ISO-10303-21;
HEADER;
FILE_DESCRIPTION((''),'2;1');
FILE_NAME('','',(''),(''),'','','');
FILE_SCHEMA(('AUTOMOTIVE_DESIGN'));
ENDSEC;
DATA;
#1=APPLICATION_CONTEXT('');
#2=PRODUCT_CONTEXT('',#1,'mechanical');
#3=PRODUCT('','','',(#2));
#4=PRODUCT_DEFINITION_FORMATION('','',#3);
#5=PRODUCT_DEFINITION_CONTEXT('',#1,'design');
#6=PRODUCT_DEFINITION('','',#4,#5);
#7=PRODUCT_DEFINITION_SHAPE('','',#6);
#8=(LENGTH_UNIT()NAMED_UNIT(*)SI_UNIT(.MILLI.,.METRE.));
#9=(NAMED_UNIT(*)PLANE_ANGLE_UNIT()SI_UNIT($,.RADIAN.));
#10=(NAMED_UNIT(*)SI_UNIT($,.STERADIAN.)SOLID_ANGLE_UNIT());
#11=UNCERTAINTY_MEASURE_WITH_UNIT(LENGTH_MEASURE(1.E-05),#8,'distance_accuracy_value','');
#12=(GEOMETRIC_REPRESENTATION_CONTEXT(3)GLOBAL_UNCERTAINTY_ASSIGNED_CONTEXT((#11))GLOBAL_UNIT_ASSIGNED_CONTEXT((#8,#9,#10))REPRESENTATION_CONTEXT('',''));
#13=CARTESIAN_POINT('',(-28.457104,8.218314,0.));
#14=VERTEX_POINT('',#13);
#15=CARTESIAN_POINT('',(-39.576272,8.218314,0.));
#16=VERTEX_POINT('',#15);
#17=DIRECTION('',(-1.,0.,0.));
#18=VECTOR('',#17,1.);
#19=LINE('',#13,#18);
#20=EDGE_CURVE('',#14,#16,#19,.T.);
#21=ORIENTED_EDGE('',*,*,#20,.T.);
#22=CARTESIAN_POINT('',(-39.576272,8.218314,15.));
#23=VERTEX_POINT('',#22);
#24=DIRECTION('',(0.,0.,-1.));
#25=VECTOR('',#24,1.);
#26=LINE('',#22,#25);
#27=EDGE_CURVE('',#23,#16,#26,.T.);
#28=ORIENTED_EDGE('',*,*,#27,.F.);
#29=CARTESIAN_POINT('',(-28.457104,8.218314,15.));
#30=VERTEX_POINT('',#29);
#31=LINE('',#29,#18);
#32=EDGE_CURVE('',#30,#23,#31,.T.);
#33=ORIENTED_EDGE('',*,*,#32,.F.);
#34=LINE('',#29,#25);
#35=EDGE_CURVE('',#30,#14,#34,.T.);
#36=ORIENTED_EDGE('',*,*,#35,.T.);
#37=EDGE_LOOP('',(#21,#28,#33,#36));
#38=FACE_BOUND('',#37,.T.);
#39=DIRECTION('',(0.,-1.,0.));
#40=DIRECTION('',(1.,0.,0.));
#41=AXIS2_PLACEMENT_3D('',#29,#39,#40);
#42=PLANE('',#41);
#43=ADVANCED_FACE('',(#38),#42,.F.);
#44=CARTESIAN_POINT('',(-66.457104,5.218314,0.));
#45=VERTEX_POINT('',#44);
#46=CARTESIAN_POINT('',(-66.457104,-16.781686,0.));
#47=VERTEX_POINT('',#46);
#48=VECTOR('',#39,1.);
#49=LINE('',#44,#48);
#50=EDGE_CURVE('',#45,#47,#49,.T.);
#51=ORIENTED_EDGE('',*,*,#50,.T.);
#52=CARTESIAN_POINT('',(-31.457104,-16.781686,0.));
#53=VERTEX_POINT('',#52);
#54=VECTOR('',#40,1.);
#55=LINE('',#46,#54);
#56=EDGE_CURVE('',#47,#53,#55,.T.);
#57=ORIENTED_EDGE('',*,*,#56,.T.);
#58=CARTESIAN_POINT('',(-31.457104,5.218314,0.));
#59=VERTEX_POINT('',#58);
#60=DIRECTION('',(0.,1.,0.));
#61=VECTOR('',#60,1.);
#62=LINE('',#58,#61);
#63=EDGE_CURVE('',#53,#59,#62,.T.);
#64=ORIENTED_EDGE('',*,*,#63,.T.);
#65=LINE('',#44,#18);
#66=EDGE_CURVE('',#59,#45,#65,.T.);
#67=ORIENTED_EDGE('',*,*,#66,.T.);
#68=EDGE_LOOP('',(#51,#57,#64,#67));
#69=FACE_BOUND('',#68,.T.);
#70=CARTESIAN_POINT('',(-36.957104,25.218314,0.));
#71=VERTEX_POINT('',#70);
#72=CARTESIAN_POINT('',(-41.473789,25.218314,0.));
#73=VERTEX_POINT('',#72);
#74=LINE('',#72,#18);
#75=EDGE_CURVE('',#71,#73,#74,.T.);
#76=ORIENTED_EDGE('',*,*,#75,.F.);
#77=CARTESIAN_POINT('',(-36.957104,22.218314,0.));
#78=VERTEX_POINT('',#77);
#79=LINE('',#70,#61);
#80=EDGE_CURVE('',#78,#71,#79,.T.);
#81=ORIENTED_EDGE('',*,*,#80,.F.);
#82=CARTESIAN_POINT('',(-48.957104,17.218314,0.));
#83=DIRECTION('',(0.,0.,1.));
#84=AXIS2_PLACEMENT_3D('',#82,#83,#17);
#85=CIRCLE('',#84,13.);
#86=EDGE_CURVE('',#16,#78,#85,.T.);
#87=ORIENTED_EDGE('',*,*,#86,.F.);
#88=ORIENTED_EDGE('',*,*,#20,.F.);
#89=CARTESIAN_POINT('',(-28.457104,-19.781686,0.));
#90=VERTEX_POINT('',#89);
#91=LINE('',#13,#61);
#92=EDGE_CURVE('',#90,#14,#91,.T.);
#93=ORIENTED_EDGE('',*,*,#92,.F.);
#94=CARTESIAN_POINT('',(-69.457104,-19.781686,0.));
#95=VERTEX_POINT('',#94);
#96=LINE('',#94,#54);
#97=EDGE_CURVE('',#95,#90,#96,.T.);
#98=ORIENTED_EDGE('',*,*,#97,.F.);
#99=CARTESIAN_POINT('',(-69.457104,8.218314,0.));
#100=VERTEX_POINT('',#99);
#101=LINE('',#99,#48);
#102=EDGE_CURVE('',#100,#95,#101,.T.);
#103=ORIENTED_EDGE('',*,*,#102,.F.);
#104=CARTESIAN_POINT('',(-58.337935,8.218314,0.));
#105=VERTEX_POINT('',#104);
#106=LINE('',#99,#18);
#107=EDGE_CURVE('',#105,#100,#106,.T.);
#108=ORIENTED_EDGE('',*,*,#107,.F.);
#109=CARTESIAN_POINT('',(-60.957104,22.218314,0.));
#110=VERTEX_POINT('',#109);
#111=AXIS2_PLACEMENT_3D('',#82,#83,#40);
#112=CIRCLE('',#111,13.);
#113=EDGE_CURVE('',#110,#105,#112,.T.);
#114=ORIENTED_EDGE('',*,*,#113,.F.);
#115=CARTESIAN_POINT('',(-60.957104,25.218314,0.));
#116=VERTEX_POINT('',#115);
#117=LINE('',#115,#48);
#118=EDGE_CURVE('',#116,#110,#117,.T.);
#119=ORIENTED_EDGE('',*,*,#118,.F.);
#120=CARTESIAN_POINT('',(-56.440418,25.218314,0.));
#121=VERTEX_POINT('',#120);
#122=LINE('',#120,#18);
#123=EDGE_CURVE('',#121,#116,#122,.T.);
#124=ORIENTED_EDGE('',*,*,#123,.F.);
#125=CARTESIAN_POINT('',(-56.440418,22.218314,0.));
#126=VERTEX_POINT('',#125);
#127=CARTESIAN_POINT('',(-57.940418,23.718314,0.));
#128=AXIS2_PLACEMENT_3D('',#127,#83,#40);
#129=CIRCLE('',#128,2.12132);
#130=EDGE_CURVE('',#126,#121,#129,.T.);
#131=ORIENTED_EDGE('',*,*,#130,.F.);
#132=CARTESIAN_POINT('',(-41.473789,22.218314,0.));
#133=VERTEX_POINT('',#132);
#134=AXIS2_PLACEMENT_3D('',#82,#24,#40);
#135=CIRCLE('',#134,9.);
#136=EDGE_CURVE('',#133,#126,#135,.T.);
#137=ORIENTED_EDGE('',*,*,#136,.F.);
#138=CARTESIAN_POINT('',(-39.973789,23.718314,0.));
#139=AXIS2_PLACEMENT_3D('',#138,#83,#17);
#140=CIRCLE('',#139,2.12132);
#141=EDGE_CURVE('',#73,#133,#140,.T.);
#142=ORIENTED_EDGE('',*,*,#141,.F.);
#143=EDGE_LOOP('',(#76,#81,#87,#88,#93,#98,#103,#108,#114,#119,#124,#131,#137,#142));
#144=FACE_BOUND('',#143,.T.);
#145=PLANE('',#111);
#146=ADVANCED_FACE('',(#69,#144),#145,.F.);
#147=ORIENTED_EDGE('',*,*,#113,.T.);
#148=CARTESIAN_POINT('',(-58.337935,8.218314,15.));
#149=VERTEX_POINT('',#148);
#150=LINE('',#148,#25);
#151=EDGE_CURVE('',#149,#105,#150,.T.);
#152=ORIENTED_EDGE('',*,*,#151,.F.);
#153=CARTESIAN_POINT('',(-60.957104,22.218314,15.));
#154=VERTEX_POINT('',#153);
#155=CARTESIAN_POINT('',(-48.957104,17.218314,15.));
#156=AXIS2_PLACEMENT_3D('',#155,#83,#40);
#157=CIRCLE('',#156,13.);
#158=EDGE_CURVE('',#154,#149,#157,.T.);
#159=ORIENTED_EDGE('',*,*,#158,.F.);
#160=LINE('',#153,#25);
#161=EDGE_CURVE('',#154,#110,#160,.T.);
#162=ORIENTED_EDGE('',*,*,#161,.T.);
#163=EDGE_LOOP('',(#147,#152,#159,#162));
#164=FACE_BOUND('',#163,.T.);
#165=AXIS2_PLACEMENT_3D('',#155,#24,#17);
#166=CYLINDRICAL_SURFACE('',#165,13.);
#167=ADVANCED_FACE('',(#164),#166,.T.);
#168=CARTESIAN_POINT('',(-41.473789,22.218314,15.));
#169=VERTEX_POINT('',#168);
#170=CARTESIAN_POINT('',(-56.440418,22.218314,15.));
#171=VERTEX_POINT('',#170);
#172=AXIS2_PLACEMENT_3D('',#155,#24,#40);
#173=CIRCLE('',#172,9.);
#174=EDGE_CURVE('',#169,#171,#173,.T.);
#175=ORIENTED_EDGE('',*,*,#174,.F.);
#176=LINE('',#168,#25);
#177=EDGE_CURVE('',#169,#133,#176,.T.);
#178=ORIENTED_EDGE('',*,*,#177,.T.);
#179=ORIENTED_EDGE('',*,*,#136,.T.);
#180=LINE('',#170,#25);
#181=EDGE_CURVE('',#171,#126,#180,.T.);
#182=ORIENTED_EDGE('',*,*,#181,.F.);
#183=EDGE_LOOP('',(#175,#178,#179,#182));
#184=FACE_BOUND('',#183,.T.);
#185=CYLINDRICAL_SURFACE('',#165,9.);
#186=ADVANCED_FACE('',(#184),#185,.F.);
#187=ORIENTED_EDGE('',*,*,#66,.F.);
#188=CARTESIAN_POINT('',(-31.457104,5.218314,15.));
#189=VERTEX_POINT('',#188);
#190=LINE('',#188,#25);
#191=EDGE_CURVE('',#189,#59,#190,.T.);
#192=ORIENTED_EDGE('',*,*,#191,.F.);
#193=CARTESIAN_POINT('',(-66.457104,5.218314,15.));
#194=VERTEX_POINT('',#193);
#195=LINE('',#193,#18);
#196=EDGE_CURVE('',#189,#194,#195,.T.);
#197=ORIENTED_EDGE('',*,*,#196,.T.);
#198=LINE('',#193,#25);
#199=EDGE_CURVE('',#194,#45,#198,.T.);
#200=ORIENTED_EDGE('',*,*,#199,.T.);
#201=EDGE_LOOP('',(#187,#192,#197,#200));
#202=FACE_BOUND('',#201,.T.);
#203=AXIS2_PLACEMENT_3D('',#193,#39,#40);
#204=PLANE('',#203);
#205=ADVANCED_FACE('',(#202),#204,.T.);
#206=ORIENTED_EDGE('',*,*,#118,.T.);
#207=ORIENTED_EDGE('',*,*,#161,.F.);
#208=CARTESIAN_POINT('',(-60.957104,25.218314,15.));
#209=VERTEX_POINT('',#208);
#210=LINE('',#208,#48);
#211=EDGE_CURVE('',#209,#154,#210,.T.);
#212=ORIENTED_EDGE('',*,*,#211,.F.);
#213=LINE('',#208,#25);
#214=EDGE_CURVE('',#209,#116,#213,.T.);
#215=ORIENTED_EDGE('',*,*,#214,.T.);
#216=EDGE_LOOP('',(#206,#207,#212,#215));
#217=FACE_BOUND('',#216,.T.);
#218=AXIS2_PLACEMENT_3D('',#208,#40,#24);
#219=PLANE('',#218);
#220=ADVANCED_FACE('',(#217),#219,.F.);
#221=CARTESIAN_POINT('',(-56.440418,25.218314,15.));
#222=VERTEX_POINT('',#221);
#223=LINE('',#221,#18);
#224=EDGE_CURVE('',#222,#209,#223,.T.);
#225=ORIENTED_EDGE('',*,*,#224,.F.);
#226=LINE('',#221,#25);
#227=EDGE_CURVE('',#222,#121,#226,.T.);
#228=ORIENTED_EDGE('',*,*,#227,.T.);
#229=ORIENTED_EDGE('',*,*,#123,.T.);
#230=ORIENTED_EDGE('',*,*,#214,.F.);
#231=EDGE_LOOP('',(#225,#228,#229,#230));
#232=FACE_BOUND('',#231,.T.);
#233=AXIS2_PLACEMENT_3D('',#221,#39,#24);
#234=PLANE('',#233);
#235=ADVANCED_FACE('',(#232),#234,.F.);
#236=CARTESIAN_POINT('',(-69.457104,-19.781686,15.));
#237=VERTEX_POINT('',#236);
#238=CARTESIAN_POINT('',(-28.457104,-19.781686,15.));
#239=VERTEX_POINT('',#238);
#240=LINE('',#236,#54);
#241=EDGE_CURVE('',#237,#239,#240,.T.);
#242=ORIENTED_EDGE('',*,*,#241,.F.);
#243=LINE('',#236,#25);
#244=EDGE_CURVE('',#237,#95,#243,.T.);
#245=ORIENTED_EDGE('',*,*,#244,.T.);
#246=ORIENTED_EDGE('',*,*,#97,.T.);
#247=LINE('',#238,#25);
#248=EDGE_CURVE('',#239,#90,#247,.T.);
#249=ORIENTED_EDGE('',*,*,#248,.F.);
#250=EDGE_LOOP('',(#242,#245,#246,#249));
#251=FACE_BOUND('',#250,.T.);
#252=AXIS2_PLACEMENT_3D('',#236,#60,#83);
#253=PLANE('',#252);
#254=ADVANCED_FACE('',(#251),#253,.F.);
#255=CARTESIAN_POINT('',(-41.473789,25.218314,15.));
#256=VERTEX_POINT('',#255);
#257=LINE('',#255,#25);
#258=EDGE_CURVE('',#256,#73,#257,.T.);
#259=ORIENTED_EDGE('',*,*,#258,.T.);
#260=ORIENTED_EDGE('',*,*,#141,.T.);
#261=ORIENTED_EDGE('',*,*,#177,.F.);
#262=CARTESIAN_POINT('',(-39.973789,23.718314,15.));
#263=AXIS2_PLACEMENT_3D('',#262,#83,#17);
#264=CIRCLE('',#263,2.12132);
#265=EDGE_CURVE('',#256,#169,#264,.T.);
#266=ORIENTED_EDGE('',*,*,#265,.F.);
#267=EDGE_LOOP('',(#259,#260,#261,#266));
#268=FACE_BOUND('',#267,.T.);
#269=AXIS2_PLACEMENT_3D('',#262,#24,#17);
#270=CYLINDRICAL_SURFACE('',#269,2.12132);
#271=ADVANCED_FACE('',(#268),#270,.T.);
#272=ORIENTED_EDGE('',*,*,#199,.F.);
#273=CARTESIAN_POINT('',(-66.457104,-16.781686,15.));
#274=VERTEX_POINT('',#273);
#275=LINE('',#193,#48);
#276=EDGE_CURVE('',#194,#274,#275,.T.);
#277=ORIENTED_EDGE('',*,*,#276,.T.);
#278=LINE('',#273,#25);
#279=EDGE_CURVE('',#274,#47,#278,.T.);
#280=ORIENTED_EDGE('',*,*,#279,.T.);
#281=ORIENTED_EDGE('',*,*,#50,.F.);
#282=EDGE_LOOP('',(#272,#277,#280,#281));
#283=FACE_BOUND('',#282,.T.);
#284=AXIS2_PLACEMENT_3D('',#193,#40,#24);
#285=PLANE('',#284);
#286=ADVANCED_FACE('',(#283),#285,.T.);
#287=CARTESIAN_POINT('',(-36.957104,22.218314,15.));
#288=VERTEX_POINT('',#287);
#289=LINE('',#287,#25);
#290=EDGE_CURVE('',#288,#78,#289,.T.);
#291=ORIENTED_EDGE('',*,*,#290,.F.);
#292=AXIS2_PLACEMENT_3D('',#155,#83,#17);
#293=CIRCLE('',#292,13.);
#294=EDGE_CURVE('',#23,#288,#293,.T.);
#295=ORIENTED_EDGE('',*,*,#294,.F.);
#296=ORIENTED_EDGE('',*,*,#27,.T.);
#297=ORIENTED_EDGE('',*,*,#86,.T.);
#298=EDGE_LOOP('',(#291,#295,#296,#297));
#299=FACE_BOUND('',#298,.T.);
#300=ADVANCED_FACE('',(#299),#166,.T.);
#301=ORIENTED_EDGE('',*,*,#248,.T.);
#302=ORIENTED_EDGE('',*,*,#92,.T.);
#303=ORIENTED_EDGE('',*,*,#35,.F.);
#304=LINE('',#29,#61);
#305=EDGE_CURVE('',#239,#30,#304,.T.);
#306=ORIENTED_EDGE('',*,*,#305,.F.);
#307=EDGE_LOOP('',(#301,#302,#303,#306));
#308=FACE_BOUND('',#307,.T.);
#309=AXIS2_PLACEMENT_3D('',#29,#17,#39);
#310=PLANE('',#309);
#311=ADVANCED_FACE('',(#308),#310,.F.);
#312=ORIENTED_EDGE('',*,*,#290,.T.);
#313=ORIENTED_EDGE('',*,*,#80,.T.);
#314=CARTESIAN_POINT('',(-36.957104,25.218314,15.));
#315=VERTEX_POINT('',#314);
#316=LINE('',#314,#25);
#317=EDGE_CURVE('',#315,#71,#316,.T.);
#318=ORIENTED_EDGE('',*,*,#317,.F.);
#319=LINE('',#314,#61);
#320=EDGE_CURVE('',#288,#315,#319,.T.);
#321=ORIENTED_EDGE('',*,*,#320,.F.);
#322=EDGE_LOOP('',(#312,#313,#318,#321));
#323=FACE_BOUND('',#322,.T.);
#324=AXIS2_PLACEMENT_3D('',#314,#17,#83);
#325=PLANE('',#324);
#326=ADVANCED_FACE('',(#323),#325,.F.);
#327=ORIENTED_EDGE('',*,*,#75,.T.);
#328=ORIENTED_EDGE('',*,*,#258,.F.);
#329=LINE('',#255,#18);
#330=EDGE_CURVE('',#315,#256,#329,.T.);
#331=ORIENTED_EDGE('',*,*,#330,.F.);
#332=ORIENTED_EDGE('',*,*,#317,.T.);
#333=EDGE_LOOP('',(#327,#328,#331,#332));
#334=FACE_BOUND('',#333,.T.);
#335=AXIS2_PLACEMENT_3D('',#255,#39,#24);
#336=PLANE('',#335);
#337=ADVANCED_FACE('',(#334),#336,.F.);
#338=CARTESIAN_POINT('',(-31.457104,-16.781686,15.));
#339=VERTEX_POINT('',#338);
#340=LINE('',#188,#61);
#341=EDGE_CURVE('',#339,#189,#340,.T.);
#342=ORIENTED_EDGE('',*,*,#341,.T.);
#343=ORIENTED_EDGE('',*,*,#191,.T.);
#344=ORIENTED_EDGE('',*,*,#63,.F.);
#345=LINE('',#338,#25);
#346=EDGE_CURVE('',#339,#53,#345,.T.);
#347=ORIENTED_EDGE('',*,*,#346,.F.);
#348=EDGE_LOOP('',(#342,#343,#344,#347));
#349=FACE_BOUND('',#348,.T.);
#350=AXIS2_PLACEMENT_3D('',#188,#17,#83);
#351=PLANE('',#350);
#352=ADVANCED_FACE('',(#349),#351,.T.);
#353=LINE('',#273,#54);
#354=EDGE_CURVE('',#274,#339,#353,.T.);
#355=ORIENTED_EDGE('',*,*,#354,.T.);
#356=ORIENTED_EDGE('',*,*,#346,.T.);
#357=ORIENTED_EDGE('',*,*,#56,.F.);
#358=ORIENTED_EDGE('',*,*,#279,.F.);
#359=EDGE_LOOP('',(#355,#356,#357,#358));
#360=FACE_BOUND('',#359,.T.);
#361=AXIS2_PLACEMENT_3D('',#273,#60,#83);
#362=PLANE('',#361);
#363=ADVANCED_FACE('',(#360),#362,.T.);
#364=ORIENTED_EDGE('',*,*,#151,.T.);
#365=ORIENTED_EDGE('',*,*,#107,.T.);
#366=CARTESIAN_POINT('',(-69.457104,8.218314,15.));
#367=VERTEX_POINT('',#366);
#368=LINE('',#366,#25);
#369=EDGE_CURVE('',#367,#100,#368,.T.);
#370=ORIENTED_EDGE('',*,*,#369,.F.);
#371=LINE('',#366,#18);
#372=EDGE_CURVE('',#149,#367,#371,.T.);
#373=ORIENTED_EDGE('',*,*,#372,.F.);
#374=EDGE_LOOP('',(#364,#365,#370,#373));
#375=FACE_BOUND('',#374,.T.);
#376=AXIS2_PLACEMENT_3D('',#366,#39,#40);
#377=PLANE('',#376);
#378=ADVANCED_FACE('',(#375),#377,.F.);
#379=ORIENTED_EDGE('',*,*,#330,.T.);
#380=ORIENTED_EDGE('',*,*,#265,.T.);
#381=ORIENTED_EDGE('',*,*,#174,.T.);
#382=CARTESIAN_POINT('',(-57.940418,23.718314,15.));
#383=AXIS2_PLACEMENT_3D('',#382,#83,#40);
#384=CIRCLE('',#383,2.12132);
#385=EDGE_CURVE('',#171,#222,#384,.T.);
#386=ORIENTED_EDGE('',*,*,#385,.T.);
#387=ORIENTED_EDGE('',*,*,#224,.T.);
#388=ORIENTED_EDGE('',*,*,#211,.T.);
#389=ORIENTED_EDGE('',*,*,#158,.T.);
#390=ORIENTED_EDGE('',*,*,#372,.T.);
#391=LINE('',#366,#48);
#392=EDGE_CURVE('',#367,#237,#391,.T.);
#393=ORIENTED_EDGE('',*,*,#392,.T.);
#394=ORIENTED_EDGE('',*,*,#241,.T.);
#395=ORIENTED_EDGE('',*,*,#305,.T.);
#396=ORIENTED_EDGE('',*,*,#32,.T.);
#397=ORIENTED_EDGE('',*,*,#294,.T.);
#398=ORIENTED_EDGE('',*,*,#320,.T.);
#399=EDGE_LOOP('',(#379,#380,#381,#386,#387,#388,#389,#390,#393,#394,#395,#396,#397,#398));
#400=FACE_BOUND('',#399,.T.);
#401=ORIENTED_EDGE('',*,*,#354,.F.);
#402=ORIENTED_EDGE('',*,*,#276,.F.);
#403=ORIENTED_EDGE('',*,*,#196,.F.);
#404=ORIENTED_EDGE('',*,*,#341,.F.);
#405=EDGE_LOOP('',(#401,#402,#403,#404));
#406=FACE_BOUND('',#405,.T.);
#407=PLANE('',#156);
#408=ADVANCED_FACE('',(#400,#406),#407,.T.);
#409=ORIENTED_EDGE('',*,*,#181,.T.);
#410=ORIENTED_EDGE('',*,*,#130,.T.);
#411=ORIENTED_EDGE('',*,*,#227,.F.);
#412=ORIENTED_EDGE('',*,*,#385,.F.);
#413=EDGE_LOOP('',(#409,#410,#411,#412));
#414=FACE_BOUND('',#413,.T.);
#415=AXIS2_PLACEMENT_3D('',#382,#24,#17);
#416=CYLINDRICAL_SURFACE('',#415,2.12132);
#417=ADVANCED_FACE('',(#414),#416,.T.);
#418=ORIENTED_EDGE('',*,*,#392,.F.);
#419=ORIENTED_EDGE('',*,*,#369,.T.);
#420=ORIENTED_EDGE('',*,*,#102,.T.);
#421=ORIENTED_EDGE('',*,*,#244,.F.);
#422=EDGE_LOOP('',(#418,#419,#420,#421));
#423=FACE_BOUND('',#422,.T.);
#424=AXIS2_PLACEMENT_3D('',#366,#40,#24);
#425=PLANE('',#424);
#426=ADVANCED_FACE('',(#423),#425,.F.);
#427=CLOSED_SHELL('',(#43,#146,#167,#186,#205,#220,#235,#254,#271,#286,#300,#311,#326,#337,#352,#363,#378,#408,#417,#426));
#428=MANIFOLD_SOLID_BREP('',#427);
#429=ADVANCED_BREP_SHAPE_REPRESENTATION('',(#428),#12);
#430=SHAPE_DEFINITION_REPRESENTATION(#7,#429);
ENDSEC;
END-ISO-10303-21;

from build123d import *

# Parameters (mm, degrees)
CROQUIS1_W              = 35
CROQUIS1_H              = 22
SALIENTE_EXTRUIR1_DEPTH = 15


with BuildPart() as part:
    # Croquis1 → Saliente-Extruir1 (new body)
    with BuildSketch(Plane.XY):
        with BuildLine():
            Line((-69.45710358, 8.218313922), (-69.45710358, -19.781686078))
            Line((-69.45710358, -19.781686078), (-28.45710358, -19.781686078))
            Line((-28.45710358, -19.781686078), (-28.45710358, 8.218313922))
            Line((-28.45710358, 8.218313922), (-39.57627206, 8.218313922))
            ThreePointArc((-39.57627206, 8.218313922), (-36.178802084, 14.827705029), (-36.95710358, 22.218313922))
            Line((-36.95710358, 22.218313922), (-36.95710358, 25.218313922))
            Line((-36.95710358, 25.218313922), (-41.473788806, 25.218313922))
            ThreePointArc((-41.473788806, 25.218313922), (-42.09510915, 23.718313922), (-41.473788806, 22.218313922))
            ThreePointArc((-41.473788806, 22.218313922), (-48.95710358, 8.218313922), (-56.440418353, 22.218313922))
            ThreePointArc((-56.440418353, 22.218313922), (-55.81909801, 23.718313922), (-56.440418353, 25.218313922))
            Line((-56.440418353, 25.218313922), (-60.95710358, 25.218313922))
            Line((-60.95710358, 25.218313922), (-60.95710358, 22.218313922))
            ThreePointArc((-60.95710358, 22.218313922), (-61.735405076, 14.827705029), (-58.3379351, 8.218313922))
            Line((-58.3379351, 8.218313922), (-69.45710358, 8.218313922))
        make_face()
        with Locations((-48.95710358, -5.781686078)):
            Rectangle(CROQUIS1_W, CROQUIS1_H, mode=Mode.SUBTRACT)
    extrude(amount=SALIENTE_EXTRUIR1_DEPTH)


solid = part.part
